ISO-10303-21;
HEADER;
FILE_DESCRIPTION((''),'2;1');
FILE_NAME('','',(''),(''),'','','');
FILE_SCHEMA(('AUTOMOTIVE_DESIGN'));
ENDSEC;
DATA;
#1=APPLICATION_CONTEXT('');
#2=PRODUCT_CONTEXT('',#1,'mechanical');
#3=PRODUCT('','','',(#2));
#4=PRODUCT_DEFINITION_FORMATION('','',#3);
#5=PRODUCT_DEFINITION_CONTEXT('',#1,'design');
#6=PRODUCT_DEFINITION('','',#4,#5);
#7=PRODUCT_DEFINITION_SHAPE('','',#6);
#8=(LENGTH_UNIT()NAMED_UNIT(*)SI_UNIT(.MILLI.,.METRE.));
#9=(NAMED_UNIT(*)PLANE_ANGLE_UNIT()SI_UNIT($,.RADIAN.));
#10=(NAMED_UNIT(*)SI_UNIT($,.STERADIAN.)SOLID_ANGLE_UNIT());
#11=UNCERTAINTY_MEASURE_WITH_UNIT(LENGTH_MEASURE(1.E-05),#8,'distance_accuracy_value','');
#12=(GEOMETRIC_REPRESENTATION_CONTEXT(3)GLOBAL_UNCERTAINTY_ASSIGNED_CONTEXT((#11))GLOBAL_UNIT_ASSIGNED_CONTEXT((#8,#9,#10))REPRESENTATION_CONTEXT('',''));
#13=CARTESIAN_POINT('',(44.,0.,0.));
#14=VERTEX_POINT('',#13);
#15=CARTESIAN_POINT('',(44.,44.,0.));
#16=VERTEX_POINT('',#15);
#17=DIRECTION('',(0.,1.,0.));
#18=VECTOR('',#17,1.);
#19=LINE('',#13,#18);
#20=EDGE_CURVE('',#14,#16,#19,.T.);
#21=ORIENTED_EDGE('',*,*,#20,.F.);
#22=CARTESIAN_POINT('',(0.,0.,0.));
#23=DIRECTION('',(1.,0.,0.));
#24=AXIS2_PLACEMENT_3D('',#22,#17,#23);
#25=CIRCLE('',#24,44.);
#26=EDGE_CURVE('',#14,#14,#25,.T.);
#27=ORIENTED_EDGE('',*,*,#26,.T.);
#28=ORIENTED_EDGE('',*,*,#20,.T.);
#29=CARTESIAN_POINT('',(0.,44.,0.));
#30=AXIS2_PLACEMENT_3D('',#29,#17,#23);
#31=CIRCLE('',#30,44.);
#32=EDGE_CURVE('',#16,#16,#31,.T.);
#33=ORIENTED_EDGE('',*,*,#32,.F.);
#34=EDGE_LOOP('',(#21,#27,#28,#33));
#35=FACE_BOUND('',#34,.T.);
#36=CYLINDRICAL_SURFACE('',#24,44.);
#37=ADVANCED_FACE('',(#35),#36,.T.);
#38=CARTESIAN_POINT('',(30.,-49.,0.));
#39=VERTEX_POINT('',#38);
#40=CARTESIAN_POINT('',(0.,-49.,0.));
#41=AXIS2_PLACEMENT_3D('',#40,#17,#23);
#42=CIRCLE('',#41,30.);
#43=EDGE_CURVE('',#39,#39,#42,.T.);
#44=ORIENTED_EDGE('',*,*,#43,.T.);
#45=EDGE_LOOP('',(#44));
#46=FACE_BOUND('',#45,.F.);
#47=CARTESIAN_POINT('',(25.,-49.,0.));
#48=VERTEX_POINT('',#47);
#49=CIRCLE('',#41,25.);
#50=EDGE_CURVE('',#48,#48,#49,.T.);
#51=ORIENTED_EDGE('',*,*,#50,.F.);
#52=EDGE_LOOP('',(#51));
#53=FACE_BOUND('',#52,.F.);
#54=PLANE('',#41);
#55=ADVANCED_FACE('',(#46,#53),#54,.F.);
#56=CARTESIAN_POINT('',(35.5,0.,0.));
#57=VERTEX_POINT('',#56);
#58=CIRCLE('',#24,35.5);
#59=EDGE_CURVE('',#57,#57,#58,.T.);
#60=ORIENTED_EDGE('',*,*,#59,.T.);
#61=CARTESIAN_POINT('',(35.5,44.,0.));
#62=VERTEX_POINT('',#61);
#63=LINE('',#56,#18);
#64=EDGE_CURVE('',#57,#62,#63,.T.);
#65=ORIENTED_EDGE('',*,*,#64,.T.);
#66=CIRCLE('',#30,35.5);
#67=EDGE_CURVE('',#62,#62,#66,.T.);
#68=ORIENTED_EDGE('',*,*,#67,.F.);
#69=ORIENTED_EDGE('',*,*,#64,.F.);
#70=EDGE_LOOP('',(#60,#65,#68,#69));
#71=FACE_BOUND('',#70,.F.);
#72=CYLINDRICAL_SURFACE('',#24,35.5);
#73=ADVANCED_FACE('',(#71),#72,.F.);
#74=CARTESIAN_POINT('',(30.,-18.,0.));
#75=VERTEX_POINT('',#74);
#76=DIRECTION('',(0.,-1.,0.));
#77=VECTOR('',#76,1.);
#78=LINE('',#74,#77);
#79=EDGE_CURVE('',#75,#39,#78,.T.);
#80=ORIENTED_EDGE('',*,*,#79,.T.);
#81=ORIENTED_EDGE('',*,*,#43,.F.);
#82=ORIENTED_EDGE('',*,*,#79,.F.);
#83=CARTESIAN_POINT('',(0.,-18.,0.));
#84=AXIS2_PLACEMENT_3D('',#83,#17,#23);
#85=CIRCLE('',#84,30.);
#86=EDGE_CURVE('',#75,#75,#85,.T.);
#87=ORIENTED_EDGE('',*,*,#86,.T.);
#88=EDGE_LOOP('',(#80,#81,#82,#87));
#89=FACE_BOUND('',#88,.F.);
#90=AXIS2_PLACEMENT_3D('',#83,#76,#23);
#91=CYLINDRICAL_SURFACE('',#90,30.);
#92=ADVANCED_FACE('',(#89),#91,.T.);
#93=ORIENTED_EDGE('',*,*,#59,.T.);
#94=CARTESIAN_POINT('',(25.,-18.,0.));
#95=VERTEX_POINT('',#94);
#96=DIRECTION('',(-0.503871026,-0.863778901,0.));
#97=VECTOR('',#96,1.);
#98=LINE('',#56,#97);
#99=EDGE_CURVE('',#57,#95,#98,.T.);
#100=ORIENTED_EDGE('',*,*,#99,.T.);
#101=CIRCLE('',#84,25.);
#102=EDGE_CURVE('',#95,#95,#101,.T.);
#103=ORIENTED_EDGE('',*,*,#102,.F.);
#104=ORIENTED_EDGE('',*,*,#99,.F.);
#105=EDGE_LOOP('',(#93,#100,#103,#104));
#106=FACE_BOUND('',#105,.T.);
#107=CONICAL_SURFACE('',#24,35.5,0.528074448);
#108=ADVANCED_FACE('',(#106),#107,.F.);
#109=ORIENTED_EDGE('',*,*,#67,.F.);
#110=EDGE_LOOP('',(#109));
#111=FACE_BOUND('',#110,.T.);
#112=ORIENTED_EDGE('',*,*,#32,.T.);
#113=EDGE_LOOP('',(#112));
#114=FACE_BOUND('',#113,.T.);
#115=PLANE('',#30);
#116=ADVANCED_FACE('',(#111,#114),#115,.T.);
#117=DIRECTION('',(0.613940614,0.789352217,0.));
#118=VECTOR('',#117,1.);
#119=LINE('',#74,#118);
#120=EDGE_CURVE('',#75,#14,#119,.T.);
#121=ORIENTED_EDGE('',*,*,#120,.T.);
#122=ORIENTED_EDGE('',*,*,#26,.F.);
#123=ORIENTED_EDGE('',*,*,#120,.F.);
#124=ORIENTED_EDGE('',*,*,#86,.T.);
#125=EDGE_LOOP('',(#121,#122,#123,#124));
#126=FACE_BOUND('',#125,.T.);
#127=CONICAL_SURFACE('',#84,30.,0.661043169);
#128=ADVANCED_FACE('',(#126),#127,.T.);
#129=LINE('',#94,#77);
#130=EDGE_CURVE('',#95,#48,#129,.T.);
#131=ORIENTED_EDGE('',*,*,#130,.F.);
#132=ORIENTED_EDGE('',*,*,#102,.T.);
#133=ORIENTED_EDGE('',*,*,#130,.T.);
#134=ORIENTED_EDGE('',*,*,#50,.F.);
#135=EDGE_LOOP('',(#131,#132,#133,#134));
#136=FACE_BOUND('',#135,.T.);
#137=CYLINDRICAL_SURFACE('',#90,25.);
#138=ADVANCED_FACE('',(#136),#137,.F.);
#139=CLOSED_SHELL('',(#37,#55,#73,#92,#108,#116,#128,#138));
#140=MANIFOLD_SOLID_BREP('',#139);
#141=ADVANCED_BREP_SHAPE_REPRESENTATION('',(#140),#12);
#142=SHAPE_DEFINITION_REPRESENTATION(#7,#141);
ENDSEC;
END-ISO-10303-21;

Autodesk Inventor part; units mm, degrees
ref_plane "YZ Plane" through (0, 0, 0) normal (1, 0, 0) x (0, 1, 0)
ref_plane "XZ Plane" through (0, 0, 0) normal (0, 1, 0) x (-1, 0, 0)
ref_plane "XY Plane" through (0, 0, 0) normal (0, 0, 1) x (1, 0, 0)
sketch "Sketch1" plane through (0, 0, 0) normal (0, 0, 1) x (1, 0, 0)
  line L0 (0, 0) -> (35.5, 0)
  line L1 (35.5, 0) -> (35.5, 44)
  line L2 (35.5, 44) -> (0, 44)
  line L3 (0, 44) -> (0, 0)
  line L4 (0, 0) -> (0, -18)
  line L5 (0, -18) -> (25, -18)
  line L6 (25, -18) -> (25, -49)
  line L7 (25, -49) -> (0, -49)
  line L8 (0, -49) -> (0, -18)
  line L9 (35.5, 0) -> (25, -18)
  line L10 (0, 0) -> (44, 0)
  line L11 (44, 0) -> (44, 44)
  line L12 (44, 44) -> (0, 44)
  line L13 (0, 44) -> (0, 0)
  line L14 (0, -18) -> (30, -18)
  line L15 (30, -18) -> (30, -49)
  line L16 (30, -49) -> (0, -49)
  line L17 (0, -49) -> (0, -18)
  line L18 (30, -18) -> (44, 0)
  dimension "d13" = 35.5
  dimension "d14" = 44
  dimension "d15" = 18
  dimension "d16" = 25
  dimension "d17" = 31
  dimension "d18" = 44
  dimension "d19" = 30
revolve "Revolution1" add sketch "Sketch1" angle 360 about axis through (0, -49, 0) along (0, 1, 0) contours L10 L18 L14 L9 | L1 L12 L11 L10 | L14 L15 L16 L6
properties part number "PVC_connector" material "PVC-Piping"
